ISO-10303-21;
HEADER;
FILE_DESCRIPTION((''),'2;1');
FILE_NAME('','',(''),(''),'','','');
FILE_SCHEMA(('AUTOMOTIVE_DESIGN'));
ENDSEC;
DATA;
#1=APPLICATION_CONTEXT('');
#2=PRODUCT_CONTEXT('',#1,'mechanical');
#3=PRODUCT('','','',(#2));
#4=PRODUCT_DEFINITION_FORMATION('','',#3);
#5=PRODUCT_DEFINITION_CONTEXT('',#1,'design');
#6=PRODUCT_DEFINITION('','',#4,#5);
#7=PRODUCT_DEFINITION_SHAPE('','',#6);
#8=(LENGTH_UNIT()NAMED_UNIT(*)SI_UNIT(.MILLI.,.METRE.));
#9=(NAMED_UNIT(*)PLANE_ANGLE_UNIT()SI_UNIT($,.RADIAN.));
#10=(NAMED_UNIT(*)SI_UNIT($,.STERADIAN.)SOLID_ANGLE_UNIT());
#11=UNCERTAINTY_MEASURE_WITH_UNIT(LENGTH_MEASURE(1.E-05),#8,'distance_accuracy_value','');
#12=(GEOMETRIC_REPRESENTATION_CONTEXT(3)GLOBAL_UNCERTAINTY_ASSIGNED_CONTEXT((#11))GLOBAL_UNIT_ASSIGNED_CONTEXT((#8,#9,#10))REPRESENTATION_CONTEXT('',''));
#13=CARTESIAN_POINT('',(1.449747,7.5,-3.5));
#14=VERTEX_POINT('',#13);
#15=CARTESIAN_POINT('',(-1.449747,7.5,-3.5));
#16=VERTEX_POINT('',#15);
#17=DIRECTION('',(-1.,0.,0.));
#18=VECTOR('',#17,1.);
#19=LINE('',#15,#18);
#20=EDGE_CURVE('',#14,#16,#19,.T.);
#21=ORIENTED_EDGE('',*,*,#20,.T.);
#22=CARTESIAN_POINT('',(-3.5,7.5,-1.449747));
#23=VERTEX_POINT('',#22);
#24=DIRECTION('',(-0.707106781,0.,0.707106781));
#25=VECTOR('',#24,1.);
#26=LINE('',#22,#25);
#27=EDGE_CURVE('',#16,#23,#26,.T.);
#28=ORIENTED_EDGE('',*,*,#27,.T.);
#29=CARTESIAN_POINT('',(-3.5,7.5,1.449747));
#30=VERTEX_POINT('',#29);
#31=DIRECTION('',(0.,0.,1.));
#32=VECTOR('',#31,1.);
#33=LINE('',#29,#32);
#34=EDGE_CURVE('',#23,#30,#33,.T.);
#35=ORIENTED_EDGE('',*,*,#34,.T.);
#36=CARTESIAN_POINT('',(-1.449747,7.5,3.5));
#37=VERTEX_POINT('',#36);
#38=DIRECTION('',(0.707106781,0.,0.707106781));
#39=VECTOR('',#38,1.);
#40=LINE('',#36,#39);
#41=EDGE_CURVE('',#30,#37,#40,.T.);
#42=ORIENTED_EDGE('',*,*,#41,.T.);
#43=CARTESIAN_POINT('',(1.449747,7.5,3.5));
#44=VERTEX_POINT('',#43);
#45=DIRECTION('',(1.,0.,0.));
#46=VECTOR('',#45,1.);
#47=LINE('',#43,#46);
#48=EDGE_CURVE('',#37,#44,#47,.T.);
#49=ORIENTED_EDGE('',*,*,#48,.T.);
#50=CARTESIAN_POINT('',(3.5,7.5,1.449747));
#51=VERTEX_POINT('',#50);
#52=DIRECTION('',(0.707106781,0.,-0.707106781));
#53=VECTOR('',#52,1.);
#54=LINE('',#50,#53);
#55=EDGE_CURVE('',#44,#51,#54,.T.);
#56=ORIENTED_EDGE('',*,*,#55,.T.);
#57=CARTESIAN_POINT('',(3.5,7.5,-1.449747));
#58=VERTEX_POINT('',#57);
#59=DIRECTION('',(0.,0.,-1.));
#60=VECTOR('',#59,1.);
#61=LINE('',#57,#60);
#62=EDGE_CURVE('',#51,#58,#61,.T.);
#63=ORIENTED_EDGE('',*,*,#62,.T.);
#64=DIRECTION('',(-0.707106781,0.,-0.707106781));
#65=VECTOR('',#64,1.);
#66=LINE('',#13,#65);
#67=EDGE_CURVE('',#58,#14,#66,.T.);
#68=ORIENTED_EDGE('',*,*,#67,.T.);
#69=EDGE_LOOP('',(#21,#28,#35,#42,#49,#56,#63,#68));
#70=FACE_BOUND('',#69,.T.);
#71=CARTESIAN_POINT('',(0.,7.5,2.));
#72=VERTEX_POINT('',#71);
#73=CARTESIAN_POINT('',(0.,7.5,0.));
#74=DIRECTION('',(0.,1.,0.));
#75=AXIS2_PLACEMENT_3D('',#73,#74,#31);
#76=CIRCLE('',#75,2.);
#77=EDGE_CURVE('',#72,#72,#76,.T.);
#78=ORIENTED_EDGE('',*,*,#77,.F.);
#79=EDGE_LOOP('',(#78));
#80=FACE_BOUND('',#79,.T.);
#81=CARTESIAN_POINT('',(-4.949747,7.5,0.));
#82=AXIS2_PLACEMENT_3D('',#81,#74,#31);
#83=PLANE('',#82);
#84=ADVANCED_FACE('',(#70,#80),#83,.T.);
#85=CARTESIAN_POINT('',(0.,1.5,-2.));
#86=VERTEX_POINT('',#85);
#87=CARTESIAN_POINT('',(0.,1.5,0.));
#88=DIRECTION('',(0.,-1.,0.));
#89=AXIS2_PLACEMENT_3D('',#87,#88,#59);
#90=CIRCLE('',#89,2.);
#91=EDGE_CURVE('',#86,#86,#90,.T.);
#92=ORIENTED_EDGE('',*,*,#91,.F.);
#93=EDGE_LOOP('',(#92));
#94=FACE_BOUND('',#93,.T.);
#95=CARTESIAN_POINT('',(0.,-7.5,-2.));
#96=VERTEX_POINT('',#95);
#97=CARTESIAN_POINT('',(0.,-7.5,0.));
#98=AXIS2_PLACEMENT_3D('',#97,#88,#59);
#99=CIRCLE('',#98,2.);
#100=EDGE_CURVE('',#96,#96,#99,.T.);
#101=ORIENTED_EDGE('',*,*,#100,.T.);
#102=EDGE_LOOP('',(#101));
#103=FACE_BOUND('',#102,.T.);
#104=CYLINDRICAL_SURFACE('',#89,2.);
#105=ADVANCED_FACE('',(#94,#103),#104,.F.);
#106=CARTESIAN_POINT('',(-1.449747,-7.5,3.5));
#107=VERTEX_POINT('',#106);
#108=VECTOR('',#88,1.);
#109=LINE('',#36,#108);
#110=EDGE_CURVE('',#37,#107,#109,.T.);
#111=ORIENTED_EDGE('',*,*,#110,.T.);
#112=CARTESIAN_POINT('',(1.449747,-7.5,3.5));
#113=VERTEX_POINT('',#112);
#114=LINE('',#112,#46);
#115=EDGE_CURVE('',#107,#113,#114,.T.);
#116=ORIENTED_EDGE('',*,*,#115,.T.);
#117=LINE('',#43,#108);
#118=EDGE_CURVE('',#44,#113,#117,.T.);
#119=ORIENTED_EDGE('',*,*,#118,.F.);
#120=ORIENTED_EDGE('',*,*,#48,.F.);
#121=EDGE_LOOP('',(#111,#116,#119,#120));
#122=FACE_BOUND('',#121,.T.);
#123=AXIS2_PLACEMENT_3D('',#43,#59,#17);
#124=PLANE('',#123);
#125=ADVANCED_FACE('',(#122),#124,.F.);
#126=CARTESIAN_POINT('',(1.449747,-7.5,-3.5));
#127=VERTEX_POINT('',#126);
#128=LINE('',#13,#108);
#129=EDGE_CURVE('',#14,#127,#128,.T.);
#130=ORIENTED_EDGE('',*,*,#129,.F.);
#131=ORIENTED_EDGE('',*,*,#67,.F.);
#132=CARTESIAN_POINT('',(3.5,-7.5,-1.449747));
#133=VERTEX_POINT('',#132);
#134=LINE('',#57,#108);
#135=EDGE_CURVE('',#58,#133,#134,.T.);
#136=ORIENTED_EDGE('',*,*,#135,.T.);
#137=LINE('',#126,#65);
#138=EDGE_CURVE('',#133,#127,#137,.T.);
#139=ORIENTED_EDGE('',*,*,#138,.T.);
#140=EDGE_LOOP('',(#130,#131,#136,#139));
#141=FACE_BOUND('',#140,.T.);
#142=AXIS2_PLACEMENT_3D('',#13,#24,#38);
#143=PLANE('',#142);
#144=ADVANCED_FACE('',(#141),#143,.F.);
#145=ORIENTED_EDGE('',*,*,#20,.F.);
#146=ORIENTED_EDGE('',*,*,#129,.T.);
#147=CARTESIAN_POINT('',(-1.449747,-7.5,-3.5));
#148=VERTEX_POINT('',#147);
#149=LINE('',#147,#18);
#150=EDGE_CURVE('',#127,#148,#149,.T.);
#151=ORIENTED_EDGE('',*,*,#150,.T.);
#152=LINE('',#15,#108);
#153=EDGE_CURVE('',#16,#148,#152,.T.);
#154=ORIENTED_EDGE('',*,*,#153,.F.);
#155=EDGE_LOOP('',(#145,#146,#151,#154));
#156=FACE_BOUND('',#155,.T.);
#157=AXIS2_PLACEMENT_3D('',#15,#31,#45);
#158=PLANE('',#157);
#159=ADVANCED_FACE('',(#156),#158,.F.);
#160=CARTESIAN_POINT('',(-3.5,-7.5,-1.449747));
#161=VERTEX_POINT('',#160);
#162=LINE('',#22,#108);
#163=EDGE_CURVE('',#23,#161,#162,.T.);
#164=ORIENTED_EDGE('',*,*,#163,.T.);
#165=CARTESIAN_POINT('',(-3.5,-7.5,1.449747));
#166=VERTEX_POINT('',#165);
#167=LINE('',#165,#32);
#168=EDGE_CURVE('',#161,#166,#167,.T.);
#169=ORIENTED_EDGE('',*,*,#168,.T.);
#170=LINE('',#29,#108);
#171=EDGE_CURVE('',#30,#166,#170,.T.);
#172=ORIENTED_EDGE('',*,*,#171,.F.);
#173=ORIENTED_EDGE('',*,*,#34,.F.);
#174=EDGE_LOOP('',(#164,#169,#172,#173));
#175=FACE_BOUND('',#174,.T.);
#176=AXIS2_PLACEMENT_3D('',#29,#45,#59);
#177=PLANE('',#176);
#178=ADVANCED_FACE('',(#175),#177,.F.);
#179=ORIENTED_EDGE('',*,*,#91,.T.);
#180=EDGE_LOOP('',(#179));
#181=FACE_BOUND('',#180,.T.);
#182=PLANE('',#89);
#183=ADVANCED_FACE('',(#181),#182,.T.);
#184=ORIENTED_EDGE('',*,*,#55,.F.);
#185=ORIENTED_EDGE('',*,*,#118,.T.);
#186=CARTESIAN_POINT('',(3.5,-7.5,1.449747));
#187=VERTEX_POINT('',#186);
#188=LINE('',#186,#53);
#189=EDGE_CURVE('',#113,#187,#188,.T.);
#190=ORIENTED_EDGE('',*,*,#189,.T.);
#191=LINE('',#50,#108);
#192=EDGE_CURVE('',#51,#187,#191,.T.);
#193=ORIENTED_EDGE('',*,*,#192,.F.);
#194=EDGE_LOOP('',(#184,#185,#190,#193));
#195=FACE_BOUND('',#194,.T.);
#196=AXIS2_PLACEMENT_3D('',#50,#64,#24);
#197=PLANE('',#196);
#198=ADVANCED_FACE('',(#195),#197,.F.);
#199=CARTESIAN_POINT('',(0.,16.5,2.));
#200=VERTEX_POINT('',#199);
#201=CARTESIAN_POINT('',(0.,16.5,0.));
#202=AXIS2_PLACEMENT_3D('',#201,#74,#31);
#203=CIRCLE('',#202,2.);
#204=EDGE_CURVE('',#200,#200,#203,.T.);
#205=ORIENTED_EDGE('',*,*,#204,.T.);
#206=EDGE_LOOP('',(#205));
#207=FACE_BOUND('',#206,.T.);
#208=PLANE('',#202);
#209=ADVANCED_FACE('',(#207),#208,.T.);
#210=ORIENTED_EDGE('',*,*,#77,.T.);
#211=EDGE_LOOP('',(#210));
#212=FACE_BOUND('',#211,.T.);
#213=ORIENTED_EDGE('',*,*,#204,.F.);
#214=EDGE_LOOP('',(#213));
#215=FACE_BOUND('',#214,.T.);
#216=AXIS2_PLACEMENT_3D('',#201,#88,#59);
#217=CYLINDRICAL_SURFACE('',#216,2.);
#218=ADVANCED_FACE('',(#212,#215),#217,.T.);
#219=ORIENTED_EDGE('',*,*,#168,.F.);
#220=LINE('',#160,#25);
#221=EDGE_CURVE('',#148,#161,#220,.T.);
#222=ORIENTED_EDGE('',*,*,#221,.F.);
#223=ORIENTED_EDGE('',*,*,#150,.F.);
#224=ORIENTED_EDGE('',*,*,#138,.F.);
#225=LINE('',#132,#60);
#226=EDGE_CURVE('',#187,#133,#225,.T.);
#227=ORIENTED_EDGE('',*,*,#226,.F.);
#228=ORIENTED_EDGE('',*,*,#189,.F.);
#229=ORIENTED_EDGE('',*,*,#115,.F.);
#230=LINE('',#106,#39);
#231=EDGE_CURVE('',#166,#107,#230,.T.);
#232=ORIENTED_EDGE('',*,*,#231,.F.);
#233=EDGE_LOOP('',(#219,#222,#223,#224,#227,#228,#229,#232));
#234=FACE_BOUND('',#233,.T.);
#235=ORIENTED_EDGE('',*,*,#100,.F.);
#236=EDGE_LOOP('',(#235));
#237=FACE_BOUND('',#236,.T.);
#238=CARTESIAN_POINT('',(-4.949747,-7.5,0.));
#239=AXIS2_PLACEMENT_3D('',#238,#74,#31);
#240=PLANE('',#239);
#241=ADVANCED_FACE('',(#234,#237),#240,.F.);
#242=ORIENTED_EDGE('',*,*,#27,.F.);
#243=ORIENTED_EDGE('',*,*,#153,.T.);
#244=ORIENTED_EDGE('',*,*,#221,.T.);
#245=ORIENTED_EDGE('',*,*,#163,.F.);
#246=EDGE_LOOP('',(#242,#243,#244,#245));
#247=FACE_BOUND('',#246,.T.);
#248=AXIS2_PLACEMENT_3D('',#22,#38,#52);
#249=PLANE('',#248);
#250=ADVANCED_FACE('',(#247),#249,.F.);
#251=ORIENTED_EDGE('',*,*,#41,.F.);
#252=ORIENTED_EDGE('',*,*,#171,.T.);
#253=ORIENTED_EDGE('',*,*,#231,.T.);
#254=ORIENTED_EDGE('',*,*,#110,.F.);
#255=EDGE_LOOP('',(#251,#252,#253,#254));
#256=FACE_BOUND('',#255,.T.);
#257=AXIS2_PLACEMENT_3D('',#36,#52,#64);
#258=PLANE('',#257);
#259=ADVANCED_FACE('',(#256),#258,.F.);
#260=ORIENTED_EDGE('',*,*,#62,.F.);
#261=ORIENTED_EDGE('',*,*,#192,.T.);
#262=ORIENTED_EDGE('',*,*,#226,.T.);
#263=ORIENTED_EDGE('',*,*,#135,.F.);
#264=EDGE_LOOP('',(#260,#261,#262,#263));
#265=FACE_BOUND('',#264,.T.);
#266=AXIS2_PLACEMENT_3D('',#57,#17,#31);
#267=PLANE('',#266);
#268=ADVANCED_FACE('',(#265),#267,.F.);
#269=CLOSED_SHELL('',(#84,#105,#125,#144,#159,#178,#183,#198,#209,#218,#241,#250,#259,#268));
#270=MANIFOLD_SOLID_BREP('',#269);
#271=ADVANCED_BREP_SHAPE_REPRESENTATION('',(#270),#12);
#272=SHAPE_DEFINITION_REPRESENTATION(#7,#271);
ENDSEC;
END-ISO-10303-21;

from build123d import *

# Parameters (mm, degrees)
EXTRUSION1_DEPTH        = 7.5
ESQUISSE2_R             = 2
EXTRUSION2_DEPTH        = 9
ESQUISSE3_R             = 2
ENL_V_MAT_EXTRU_1_DEPTH = 9


with BuildPart() as part:
    # Esquisse1 → Extrusion1 (new, symmetric)
    with BuildSketch(Plane(origin=(0, 0, 0), x_dir=(1, 0, 0), z_dir=(0, 1, 0))):
        Polygon((-1.449747468, 3.5), (1.449747468, 3.5), (3.5, 1.449747468), (3.5, -1.449747468), (1.449747468, -3.5), (-1.449747468, -3.5), (-3.5, -1.449747468), (-3.5, 1.449747468), align=None)
    extrude(amount=EXTRUSION1_DEPTH, both=True)

    # Esquisse2 → Extrusion2 (add)
    with BuildSketch(Plane(origin=(0, 7.5, 0), x_dir=(1, 0, 0), z_dir=(0, 1, 0))):
        with Locations(Location((0, 0, 0), (0, 0, 270))):
            Circle(ESQUISSE2_R)
    extrude(amount=EXTRUSION2_DEPTH)

    # Esquisse3 → Enlèv. mat.-Extru.1 (cut)
    with BuildSketch(Plane.XZ.offset(7.5)):
        with Locations(Location((0, 0, 0), (0, 0, 90))):
            Circle(ESQUISSE3_R)
    extrude(amount=-ENL_V_MAT_EXTRU_1_DEPTH, mode=Mode.SUBTRACT)


solid = part.part
